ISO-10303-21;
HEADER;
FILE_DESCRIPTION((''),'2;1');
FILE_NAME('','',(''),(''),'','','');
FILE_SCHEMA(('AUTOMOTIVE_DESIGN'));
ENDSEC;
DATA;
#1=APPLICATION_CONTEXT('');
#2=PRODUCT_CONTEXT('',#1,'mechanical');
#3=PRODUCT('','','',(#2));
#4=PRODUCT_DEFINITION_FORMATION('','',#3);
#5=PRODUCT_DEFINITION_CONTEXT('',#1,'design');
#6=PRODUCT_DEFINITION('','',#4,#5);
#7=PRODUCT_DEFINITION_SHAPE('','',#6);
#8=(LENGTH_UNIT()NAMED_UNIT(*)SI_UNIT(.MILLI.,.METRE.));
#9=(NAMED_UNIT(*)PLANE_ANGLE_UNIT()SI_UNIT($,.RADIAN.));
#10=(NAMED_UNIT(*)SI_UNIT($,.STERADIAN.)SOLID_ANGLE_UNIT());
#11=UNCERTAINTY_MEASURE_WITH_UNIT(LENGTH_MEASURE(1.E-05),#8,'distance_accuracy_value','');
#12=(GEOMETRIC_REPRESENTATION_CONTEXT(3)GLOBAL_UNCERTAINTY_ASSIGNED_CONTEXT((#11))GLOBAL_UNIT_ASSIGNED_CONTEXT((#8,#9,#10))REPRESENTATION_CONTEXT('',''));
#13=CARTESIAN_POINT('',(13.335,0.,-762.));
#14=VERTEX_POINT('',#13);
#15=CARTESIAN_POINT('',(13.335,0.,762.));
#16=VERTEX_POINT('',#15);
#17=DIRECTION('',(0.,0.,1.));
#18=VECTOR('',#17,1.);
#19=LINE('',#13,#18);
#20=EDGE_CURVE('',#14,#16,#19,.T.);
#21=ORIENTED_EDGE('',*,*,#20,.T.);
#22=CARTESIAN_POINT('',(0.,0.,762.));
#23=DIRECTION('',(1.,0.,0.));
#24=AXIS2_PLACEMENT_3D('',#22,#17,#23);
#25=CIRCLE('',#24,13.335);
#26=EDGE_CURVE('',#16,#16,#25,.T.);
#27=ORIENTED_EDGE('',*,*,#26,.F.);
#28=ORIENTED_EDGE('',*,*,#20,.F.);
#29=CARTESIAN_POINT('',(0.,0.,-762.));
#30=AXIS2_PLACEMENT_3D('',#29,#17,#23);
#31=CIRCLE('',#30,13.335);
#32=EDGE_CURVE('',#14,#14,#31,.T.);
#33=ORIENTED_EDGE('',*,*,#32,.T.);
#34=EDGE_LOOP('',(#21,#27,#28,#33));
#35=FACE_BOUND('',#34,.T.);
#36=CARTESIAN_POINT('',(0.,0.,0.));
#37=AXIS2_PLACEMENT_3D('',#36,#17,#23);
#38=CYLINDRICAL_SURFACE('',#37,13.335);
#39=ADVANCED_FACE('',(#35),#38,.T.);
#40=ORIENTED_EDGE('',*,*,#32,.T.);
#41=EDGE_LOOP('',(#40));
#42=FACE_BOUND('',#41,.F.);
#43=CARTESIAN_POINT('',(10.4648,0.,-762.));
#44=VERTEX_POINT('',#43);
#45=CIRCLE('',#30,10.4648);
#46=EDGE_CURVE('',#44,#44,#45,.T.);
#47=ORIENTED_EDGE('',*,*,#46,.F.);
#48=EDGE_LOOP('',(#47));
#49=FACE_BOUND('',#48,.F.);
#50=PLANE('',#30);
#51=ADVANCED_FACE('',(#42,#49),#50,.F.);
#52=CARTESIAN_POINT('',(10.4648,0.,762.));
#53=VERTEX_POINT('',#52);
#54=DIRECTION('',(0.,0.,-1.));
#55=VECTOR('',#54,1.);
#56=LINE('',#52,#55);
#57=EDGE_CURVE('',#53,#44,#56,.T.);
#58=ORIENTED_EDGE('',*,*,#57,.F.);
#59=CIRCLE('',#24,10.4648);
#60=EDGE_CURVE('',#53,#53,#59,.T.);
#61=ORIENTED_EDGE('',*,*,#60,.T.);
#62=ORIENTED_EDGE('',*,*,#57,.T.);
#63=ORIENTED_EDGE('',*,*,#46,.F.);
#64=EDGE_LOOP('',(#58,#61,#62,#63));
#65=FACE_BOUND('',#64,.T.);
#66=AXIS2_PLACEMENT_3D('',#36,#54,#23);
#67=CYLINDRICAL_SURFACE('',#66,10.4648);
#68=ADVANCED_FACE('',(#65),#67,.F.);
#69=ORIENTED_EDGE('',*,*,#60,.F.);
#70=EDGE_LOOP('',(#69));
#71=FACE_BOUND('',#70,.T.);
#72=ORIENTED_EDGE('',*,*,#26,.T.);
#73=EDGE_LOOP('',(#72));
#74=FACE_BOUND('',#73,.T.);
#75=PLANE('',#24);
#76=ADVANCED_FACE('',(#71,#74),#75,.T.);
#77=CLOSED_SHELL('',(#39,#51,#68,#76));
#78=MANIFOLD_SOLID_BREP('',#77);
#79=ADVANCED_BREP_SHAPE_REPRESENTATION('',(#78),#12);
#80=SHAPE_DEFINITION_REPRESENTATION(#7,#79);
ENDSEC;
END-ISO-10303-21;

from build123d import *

# Parameters (mm, degrees)
SKETCH1_R           = 13.335
SKETCH1_R_2         = 10.4648
EXTRUDE_THIN1_DEPTH = 762


with BuildPart() as part:
    # Sketch1 → Extrude-Thin1 (new body, symmetric)
    with BuildSketch(Plane.XY):
        Circle(SKETCH1_R)
        Circle(SKETCH1_R_2, mode=Mode.SUBTRACT)
    extrude(amount=EXTRUDE_THIN1_DEPTH, both=True)


solid = part.part
